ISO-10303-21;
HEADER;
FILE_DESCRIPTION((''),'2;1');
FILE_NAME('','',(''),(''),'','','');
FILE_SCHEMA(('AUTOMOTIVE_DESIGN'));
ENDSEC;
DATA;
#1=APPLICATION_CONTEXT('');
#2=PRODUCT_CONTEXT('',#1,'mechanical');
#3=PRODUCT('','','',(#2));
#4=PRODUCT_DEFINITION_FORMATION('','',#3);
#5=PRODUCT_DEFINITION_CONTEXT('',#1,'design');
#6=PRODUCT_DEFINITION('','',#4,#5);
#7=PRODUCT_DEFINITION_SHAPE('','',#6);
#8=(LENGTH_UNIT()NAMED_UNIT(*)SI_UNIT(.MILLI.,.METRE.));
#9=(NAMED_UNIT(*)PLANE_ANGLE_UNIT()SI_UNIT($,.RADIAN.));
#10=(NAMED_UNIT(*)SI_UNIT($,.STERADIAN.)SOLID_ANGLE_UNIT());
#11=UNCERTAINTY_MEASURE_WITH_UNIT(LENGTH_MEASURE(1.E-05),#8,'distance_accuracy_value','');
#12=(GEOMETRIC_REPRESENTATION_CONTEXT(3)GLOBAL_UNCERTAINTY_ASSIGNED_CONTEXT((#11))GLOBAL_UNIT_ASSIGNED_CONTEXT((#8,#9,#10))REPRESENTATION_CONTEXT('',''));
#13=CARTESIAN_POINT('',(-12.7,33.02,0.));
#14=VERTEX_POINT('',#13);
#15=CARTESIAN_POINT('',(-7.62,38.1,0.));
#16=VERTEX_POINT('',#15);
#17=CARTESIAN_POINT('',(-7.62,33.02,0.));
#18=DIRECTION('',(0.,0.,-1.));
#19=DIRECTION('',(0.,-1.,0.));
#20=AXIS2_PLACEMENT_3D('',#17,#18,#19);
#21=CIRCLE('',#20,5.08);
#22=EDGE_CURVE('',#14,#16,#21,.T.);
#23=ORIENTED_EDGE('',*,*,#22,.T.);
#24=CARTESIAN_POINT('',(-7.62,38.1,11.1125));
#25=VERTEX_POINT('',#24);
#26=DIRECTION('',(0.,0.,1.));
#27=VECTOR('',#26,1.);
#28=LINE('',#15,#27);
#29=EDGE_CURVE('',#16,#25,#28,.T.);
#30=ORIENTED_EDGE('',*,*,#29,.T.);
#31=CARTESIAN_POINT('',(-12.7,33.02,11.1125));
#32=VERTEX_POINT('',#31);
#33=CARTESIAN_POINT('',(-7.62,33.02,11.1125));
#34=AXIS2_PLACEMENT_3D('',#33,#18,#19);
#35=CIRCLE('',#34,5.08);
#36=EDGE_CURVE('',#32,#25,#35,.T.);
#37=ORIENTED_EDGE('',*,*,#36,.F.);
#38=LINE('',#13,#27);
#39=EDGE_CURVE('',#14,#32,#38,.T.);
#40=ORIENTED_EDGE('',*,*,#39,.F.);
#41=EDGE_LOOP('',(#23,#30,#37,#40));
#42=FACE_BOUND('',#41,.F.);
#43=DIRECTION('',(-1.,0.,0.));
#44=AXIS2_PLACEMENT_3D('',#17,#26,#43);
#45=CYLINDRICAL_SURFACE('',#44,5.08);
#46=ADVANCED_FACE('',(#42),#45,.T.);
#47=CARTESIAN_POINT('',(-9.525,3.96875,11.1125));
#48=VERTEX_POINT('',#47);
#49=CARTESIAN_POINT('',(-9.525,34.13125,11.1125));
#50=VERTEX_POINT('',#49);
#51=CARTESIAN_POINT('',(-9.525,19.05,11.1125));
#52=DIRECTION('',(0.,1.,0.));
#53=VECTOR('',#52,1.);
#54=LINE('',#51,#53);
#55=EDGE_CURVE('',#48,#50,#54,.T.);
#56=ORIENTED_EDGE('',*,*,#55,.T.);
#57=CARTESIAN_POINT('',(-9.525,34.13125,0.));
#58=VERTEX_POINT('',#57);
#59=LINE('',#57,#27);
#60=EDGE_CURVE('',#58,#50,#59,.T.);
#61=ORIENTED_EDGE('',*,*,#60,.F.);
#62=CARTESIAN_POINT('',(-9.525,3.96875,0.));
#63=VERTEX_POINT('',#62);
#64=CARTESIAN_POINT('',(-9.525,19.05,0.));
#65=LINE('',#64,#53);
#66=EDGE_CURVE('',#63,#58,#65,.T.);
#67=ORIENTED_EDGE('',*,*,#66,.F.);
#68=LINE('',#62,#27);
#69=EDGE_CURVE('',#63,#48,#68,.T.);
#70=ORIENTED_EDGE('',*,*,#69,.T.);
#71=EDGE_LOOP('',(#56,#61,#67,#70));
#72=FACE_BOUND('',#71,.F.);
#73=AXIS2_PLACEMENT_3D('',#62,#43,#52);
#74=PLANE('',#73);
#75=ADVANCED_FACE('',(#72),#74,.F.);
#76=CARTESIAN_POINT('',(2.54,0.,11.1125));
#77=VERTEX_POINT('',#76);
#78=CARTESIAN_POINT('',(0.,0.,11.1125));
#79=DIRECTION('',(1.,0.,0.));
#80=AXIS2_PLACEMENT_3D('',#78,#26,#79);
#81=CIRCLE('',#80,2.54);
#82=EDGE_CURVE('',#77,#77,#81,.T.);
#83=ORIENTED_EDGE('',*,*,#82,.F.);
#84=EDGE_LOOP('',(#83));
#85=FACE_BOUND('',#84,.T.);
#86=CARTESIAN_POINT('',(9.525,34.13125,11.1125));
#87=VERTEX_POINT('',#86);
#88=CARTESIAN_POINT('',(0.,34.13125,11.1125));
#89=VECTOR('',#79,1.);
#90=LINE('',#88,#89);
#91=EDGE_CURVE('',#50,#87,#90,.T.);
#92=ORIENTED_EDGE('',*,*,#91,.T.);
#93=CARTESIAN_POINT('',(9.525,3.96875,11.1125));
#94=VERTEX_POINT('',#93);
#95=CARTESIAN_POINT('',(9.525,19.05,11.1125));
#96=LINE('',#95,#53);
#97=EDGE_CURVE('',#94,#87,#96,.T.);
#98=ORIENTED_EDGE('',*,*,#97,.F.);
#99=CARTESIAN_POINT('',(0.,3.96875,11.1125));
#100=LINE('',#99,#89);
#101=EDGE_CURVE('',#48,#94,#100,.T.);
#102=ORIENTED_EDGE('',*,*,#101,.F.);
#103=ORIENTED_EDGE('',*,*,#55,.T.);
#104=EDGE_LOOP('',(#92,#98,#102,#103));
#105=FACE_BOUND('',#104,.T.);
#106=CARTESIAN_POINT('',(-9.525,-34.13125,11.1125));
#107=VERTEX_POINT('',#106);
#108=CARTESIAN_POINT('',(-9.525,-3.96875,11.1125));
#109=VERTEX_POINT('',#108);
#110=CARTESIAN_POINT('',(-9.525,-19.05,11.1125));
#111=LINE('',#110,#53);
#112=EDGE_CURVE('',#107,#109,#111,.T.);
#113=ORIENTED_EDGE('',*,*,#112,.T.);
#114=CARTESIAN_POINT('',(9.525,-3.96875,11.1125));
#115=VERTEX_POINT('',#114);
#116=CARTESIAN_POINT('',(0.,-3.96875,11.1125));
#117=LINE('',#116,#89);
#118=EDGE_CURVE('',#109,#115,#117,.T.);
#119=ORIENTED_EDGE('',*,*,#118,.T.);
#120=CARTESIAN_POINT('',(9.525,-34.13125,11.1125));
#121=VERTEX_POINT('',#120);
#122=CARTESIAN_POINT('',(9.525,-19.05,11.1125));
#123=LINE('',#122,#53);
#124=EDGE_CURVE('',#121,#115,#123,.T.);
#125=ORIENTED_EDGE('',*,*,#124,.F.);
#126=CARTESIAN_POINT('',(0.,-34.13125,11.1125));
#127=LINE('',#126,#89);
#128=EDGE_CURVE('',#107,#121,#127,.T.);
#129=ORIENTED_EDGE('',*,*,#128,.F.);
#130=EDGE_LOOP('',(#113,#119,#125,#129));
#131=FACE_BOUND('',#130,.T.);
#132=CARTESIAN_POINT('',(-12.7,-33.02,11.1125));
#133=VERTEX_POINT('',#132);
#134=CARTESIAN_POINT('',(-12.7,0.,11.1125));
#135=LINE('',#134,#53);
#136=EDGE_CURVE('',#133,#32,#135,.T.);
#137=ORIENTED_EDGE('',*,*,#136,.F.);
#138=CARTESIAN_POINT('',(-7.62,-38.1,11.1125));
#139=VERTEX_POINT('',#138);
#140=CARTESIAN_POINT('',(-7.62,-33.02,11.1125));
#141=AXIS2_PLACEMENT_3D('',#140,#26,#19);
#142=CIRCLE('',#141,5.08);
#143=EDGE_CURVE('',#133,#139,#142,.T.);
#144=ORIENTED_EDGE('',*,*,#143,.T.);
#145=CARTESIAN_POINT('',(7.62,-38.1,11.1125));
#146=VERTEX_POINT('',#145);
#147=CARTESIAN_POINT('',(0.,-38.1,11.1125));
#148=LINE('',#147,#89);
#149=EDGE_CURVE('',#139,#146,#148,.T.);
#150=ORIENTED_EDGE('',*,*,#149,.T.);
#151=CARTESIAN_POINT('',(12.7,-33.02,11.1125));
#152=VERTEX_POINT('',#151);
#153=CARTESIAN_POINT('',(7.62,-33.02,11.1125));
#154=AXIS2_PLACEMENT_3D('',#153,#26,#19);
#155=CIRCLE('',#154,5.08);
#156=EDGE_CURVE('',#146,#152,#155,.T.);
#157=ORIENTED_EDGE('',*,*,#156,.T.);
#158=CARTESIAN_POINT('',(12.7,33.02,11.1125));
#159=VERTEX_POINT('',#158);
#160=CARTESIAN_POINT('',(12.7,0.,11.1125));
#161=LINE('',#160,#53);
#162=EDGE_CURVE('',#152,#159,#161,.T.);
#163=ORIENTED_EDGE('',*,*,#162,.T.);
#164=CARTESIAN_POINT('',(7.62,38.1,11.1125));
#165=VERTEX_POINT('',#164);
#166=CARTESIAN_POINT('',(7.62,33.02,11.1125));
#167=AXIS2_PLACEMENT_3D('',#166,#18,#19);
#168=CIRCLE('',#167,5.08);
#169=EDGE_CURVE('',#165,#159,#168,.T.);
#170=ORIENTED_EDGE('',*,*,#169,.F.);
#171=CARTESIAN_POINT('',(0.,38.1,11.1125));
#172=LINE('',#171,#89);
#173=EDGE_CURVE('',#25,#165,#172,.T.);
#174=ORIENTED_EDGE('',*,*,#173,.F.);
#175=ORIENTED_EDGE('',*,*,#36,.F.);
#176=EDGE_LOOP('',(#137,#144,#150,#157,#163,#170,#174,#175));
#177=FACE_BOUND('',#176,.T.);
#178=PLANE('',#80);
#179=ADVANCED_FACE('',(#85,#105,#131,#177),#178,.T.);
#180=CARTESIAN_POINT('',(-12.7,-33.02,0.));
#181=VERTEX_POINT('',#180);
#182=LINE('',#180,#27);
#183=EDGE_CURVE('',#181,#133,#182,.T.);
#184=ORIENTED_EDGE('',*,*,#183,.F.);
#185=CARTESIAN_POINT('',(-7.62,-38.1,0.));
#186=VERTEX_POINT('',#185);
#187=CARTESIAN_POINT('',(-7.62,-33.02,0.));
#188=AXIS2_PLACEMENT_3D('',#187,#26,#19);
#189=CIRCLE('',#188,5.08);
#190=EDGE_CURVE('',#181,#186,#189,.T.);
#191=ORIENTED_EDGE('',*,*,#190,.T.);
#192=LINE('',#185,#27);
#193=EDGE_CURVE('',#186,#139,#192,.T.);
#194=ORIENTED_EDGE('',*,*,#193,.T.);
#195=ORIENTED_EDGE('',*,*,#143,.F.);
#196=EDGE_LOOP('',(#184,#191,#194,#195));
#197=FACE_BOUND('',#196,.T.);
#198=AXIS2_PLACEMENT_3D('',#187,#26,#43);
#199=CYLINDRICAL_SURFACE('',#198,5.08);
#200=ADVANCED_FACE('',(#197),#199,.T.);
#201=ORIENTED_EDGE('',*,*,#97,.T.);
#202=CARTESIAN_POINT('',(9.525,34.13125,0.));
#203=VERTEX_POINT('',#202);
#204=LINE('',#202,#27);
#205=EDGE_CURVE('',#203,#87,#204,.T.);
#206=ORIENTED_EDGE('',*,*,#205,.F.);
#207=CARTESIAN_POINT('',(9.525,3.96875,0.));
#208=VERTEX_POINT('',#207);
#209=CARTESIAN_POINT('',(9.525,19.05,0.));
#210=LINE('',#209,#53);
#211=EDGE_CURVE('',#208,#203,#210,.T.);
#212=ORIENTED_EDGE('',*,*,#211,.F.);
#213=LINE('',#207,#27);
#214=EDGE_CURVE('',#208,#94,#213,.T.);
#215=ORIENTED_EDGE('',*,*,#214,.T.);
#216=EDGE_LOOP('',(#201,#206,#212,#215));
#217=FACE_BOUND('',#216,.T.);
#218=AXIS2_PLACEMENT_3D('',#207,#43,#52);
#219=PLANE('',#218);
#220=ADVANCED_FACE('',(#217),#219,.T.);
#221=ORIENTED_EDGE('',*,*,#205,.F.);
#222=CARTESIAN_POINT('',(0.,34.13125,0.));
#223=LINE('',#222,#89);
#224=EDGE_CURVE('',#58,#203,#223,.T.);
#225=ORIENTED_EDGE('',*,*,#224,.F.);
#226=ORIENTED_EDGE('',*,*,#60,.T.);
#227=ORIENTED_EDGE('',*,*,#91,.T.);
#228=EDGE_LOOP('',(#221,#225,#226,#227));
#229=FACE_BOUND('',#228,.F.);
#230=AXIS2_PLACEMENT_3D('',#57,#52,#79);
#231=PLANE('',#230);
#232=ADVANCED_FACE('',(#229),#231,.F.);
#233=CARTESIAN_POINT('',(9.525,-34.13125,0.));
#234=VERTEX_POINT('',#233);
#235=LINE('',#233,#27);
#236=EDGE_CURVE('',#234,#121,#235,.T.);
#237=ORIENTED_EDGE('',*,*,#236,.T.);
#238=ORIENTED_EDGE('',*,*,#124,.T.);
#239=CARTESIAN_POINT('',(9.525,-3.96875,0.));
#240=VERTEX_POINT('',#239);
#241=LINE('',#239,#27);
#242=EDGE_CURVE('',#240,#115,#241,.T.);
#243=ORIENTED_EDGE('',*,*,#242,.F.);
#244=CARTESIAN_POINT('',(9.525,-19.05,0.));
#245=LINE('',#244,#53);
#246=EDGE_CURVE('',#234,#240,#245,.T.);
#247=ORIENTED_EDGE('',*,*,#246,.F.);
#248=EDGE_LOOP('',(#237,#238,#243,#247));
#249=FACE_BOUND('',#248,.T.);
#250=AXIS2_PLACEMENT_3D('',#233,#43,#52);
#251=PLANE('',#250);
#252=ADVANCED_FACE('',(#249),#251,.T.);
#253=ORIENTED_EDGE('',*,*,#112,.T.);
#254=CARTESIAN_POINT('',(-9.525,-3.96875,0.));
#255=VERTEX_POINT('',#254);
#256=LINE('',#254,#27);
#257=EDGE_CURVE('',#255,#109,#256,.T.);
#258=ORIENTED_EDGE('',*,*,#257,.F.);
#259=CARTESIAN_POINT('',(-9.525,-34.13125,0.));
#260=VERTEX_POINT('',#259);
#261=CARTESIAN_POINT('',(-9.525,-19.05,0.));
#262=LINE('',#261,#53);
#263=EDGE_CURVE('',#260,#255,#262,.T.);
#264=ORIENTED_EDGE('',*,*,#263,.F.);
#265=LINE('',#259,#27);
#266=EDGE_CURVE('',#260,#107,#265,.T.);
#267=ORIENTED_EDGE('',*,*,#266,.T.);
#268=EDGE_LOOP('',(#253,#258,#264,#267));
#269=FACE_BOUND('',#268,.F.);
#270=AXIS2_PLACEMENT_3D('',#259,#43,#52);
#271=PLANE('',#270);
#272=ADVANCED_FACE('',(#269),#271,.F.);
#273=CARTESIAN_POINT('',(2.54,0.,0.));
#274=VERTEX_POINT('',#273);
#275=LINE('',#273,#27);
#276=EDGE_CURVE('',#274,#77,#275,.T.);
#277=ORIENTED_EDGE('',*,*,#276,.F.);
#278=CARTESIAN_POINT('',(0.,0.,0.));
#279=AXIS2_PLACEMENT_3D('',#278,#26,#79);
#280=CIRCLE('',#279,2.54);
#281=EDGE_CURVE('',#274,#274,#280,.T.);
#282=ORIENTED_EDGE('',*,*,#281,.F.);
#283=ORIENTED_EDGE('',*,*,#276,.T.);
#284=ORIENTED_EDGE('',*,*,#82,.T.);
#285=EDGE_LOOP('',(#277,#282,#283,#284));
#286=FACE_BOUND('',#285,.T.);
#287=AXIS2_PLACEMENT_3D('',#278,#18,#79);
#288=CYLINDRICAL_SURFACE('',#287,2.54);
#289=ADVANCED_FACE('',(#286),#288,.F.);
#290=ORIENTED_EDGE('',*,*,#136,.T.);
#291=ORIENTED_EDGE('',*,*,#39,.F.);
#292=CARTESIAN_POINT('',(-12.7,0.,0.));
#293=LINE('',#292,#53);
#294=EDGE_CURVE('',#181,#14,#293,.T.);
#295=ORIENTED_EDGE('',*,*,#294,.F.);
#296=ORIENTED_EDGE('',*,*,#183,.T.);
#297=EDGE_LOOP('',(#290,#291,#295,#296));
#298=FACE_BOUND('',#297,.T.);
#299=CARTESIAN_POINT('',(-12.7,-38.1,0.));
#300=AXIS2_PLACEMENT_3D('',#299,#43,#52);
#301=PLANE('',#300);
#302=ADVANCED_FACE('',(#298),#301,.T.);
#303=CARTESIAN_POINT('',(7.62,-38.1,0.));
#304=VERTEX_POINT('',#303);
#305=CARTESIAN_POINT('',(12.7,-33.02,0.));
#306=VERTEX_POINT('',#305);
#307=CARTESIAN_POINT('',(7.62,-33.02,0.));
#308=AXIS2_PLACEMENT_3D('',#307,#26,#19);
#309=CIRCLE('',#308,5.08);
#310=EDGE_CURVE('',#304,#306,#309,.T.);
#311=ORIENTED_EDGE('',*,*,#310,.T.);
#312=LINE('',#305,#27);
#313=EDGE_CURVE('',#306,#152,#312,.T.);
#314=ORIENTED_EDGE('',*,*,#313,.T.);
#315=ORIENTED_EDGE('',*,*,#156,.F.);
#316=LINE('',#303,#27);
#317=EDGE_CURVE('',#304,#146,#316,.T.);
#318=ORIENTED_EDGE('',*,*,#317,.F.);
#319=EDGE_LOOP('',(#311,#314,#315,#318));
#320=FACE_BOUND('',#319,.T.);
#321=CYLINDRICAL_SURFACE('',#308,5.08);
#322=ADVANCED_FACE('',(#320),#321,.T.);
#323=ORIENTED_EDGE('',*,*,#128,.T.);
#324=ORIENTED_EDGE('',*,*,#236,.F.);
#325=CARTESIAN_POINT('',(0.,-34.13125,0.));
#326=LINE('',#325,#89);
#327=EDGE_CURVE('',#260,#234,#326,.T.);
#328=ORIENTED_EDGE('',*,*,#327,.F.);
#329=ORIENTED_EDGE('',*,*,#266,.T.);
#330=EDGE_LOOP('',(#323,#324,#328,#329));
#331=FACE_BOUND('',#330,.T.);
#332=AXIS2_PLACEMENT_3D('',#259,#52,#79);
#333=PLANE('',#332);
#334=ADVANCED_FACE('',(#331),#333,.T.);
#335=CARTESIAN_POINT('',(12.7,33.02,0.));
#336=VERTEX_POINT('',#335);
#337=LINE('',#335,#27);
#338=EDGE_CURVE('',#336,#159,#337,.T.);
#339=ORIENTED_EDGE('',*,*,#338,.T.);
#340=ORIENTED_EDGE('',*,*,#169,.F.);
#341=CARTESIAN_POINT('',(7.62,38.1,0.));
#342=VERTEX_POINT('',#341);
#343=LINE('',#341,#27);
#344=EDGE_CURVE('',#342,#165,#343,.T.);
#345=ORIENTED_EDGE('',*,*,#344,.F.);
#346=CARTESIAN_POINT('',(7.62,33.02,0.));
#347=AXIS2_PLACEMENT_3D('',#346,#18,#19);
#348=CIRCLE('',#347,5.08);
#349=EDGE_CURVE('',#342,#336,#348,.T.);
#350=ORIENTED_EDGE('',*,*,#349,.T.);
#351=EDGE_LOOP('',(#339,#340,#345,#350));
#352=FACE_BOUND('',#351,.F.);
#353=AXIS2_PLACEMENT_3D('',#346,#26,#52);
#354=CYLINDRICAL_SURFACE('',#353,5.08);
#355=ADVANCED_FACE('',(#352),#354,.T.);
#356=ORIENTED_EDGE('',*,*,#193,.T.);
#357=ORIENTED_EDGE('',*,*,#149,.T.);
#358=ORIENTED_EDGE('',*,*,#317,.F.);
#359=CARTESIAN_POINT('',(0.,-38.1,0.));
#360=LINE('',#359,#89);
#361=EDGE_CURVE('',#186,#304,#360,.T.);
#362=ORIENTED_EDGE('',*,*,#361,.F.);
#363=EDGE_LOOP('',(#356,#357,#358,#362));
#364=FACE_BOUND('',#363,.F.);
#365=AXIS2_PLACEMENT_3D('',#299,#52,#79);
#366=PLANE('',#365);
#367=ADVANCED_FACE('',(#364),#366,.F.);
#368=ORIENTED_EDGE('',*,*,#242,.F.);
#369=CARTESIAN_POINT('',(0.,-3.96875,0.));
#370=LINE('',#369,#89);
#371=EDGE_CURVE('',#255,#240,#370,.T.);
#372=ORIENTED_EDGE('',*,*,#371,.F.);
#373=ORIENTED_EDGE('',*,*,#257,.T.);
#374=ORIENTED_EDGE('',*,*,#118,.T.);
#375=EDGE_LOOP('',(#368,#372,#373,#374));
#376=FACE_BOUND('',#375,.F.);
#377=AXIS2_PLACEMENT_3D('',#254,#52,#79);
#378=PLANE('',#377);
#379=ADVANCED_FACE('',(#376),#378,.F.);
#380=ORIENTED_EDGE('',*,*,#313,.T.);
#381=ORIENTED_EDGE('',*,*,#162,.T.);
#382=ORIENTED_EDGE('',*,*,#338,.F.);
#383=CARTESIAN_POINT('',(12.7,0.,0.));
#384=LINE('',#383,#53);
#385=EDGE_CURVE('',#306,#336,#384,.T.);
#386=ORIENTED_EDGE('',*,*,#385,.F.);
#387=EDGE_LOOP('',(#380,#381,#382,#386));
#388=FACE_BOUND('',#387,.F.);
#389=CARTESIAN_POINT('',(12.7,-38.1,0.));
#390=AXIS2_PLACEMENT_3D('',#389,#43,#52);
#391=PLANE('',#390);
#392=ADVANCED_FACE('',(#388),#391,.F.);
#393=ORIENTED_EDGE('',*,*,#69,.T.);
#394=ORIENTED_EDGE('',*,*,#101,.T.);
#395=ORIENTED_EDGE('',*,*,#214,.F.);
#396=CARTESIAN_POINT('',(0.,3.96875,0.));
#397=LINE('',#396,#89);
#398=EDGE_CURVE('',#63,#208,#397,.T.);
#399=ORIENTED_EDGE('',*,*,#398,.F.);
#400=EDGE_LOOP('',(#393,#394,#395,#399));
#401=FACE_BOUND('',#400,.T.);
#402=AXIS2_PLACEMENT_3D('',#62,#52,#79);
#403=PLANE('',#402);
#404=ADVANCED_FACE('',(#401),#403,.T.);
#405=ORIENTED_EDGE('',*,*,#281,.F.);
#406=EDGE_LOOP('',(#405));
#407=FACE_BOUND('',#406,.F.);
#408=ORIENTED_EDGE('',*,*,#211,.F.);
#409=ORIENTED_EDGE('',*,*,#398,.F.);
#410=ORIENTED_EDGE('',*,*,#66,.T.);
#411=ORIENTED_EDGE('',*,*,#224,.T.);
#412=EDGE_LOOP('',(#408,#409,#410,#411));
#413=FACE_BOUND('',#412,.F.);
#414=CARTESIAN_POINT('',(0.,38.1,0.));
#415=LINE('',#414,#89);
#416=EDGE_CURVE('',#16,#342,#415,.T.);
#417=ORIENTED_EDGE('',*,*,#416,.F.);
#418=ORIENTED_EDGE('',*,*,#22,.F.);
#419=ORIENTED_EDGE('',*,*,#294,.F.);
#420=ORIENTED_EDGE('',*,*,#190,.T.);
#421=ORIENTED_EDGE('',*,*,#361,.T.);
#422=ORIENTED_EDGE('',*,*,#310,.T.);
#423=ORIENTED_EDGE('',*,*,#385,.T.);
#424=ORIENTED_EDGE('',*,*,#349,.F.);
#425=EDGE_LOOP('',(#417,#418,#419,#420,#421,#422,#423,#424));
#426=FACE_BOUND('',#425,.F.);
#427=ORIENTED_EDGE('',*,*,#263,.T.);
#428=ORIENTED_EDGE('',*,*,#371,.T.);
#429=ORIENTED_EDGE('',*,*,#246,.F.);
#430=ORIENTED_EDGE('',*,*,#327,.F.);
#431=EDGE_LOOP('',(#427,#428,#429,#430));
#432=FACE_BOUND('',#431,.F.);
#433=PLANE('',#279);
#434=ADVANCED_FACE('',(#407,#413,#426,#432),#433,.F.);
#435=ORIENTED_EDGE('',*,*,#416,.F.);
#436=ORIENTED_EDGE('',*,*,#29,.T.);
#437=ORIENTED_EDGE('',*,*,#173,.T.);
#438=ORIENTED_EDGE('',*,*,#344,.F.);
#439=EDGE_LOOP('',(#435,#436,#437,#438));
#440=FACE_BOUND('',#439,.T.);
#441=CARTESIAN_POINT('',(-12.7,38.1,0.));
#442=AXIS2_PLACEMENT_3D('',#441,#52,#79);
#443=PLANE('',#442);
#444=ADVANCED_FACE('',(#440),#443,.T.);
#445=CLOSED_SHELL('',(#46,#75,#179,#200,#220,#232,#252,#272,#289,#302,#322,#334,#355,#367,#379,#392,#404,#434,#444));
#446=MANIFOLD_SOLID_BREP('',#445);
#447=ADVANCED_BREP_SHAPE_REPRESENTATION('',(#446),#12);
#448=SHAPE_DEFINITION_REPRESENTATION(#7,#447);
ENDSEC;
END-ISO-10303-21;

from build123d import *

# Parameters (mm, degrees)
F0_W     = 25.4
F0_H     = 76.2
F0_W_2   = 19.05
F0_H_2   = 30.1625
F0_R     = 2.54
F1_DEPTH = 11.1125
F2_R     = 5.08


with BuildPart() as f1:
    # F0 (on Top) → F1 (new body)
    with BuildSketch(Plane.XY):
        Rectangle(F0_W, F0_H)
        with Locations((0, -19.05)):
            Rectangle(F0_W_2, F0_H_2, mode=Mode.SUBTRACT)
        Circle(F0_R, mode=Mode.SUBTRACT)
        with Locations((0, 19.05)):
            Rectangle(F0_W_2, F0_H_2, mode=Mode.SUBTRACT)
    extrude(amount=F1_DEPTH)

    # F2
    f2_edges = [f1.edges().sort_by_distance(p)[0] for p in [
        (12.7, -38.1, 5.55625),
        (-12.7, -38.1, 5.55625),
        (12.7, 38.1, 5.55625),
        (-12.7, 38.1, 5.55625),
    ]]
    fillet(f2_edges, radius=F2_R)


solid = f1.part
